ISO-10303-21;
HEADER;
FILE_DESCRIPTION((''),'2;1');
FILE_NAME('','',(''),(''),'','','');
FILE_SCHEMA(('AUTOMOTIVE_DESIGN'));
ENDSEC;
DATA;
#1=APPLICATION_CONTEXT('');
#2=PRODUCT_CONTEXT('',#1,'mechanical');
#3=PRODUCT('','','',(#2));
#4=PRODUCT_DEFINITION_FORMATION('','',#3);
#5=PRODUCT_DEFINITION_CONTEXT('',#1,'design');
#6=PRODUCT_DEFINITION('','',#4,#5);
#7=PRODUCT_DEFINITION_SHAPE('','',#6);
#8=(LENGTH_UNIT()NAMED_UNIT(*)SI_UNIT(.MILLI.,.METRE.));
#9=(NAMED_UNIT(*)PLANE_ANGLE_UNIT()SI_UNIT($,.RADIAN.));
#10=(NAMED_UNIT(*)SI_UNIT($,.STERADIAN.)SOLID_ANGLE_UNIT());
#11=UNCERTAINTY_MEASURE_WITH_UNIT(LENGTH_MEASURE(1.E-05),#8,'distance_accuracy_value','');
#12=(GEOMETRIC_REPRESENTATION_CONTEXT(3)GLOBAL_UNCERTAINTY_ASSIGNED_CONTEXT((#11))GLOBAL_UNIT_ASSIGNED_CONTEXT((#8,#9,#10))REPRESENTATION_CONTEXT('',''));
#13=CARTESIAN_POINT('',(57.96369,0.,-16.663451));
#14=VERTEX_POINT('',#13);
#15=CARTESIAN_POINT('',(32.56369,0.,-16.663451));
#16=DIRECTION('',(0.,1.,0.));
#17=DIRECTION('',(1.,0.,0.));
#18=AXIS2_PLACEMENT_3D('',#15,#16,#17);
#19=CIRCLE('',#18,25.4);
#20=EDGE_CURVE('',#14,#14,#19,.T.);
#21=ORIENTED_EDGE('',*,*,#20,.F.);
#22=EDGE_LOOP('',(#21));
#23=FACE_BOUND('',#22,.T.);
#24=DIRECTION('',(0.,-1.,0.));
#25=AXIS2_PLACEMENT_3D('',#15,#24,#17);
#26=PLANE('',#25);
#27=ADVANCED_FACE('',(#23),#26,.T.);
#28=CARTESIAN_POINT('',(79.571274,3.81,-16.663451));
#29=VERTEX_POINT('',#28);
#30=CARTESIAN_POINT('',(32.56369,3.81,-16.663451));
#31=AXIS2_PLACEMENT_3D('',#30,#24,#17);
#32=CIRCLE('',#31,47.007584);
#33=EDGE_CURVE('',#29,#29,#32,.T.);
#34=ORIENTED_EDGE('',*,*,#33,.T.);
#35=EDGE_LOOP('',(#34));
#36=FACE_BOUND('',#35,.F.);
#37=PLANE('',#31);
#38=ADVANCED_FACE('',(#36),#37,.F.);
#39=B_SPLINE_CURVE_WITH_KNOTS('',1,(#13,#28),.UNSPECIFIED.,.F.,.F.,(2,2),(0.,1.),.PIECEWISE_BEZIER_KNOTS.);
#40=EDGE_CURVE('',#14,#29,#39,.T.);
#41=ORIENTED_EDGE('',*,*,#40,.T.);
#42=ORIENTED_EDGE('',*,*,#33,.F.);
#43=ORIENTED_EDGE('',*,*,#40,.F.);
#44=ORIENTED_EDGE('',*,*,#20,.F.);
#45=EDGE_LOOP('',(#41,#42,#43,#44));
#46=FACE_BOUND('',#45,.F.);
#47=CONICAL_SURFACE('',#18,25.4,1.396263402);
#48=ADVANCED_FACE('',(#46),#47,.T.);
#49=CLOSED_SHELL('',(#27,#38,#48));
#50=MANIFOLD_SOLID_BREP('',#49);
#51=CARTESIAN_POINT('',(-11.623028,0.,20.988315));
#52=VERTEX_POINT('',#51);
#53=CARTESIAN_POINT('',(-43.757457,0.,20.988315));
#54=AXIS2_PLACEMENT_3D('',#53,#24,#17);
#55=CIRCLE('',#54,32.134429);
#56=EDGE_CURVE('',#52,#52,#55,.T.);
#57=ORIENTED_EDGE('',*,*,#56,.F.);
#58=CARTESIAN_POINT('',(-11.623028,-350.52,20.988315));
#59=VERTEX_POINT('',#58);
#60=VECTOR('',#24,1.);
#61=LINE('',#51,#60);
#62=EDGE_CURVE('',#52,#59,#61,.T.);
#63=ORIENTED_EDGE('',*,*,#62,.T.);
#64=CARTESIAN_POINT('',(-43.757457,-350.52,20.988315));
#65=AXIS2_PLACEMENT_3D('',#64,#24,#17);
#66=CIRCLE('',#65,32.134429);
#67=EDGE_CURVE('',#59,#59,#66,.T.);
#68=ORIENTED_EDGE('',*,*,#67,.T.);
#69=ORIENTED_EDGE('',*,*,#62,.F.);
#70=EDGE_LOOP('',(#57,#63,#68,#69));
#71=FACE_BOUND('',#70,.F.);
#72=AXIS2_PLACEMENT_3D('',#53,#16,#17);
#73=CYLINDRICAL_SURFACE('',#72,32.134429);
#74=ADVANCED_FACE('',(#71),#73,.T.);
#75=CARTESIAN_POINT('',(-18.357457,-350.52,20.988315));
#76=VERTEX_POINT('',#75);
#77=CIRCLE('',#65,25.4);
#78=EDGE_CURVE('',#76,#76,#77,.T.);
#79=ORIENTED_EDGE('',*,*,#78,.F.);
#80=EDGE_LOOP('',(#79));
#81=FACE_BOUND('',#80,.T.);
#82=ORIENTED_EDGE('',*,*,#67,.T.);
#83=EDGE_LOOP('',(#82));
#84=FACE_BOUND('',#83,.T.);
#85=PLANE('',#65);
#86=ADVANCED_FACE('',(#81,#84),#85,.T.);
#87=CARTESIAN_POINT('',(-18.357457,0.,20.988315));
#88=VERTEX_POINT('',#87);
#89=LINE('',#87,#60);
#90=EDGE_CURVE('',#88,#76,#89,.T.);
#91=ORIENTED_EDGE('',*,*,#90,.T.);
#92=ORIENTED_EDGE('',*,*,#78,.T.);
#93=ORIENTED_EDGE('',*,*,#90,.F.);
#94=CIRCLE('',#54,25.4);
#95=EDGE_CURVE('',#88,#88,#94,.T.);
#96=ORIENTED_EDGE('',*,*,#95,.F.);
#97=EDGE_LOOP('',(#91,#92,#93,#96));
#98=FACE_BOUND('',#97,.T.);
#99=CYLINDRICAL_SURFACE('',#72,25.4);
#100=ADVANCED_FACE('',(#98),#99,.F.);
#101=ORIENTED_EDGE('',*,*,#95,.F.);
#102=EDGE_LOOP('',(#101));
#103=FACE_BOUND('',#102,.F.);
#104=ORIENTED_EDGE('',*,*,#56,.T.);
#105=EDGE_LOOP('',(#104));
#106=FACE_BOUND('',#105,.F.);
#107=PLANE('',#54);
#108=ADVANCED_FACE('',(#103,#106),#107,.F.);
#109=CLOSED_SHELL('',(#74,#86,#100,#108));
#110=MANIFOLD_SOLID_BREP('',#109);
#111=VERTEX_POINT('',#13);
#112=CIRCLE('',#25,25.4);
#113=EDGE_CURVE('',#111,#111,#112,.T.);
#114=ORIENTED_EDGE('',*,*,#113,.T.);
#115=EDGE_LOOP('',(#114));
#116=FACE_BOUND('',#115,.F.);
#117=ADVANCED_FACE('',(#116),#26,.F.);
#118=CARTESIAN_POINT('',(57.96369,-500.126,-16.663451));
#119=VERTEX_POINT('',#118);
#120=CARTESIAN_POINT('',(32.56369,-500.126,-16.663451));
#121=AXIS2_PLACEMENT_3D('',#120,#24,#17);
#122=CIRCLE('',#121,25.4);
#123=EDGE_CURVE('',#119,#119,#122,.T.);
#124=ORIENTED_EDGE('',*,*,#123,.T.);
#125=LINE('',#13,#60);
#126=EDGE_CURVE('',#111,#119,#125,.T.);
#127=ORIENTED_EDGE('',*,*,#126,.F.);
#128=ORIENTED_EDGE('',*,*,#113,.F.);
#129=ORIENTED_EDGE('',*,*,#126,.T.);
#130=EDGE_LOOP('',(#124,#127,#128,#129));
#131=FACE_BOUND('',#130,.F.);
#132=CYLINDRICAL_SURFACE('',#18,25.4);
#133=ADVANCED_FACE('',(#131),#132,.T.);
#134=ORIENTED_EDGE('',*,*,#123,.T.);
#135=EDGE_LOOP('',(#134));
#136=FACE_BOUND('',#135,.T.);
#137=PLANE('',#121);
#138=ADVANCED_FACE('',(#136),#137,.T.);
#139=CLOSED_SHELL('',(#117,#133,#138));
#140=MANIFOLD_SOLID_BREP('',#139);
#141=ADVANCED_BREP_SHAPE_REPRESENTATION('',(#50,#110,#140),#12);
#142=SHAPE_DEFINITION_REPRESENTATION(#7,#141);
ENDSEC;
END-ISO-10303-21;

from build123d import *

# Parameters (mm, degrees)
F0_R     = 32.1344290403
F0_R_2   = 25.4
F1_DEPTH = 350.52
F2_DEPTH = 500.126
F3_DEPTH = 3.81
F3_TAPER = -80


with BuildPart() as f1:
    # F0 (on Front) → F1 (new body)
    with BuildSketch(Plane.XZ):
        with Locations((-43.7574572861, 20.9883153439)):
            Circle(F0_R)
        with Locations((-43.7574572861, 20.9883153439)):
            Circle(F0_R_2, mode=Mode.SUBTRACT)
    extrude(amount=F1_DEPTH)


with BuildPart() as f2:
    # F0 (on Front) → F2 (new body)
    with BuildSketch(Plane.XZ):
        with Locations((32.5636900961, -16.6634507477)):
            Circle(F0_R_2)
    extrude(amount=F2_DEPTH)


with BuildPart() as f3:
    # F0 (on Front) → F3 (new body)
    with BuildSketch(Plane.XZ):
        with Locations((32.5636900961, -16.6634507477)):
            Circle(F0_R_2)
    extrude(amount=-F3_DEPTH, taper=F3_TAPER)


solid = Compound([f1.part, f2.part, f3.part])
